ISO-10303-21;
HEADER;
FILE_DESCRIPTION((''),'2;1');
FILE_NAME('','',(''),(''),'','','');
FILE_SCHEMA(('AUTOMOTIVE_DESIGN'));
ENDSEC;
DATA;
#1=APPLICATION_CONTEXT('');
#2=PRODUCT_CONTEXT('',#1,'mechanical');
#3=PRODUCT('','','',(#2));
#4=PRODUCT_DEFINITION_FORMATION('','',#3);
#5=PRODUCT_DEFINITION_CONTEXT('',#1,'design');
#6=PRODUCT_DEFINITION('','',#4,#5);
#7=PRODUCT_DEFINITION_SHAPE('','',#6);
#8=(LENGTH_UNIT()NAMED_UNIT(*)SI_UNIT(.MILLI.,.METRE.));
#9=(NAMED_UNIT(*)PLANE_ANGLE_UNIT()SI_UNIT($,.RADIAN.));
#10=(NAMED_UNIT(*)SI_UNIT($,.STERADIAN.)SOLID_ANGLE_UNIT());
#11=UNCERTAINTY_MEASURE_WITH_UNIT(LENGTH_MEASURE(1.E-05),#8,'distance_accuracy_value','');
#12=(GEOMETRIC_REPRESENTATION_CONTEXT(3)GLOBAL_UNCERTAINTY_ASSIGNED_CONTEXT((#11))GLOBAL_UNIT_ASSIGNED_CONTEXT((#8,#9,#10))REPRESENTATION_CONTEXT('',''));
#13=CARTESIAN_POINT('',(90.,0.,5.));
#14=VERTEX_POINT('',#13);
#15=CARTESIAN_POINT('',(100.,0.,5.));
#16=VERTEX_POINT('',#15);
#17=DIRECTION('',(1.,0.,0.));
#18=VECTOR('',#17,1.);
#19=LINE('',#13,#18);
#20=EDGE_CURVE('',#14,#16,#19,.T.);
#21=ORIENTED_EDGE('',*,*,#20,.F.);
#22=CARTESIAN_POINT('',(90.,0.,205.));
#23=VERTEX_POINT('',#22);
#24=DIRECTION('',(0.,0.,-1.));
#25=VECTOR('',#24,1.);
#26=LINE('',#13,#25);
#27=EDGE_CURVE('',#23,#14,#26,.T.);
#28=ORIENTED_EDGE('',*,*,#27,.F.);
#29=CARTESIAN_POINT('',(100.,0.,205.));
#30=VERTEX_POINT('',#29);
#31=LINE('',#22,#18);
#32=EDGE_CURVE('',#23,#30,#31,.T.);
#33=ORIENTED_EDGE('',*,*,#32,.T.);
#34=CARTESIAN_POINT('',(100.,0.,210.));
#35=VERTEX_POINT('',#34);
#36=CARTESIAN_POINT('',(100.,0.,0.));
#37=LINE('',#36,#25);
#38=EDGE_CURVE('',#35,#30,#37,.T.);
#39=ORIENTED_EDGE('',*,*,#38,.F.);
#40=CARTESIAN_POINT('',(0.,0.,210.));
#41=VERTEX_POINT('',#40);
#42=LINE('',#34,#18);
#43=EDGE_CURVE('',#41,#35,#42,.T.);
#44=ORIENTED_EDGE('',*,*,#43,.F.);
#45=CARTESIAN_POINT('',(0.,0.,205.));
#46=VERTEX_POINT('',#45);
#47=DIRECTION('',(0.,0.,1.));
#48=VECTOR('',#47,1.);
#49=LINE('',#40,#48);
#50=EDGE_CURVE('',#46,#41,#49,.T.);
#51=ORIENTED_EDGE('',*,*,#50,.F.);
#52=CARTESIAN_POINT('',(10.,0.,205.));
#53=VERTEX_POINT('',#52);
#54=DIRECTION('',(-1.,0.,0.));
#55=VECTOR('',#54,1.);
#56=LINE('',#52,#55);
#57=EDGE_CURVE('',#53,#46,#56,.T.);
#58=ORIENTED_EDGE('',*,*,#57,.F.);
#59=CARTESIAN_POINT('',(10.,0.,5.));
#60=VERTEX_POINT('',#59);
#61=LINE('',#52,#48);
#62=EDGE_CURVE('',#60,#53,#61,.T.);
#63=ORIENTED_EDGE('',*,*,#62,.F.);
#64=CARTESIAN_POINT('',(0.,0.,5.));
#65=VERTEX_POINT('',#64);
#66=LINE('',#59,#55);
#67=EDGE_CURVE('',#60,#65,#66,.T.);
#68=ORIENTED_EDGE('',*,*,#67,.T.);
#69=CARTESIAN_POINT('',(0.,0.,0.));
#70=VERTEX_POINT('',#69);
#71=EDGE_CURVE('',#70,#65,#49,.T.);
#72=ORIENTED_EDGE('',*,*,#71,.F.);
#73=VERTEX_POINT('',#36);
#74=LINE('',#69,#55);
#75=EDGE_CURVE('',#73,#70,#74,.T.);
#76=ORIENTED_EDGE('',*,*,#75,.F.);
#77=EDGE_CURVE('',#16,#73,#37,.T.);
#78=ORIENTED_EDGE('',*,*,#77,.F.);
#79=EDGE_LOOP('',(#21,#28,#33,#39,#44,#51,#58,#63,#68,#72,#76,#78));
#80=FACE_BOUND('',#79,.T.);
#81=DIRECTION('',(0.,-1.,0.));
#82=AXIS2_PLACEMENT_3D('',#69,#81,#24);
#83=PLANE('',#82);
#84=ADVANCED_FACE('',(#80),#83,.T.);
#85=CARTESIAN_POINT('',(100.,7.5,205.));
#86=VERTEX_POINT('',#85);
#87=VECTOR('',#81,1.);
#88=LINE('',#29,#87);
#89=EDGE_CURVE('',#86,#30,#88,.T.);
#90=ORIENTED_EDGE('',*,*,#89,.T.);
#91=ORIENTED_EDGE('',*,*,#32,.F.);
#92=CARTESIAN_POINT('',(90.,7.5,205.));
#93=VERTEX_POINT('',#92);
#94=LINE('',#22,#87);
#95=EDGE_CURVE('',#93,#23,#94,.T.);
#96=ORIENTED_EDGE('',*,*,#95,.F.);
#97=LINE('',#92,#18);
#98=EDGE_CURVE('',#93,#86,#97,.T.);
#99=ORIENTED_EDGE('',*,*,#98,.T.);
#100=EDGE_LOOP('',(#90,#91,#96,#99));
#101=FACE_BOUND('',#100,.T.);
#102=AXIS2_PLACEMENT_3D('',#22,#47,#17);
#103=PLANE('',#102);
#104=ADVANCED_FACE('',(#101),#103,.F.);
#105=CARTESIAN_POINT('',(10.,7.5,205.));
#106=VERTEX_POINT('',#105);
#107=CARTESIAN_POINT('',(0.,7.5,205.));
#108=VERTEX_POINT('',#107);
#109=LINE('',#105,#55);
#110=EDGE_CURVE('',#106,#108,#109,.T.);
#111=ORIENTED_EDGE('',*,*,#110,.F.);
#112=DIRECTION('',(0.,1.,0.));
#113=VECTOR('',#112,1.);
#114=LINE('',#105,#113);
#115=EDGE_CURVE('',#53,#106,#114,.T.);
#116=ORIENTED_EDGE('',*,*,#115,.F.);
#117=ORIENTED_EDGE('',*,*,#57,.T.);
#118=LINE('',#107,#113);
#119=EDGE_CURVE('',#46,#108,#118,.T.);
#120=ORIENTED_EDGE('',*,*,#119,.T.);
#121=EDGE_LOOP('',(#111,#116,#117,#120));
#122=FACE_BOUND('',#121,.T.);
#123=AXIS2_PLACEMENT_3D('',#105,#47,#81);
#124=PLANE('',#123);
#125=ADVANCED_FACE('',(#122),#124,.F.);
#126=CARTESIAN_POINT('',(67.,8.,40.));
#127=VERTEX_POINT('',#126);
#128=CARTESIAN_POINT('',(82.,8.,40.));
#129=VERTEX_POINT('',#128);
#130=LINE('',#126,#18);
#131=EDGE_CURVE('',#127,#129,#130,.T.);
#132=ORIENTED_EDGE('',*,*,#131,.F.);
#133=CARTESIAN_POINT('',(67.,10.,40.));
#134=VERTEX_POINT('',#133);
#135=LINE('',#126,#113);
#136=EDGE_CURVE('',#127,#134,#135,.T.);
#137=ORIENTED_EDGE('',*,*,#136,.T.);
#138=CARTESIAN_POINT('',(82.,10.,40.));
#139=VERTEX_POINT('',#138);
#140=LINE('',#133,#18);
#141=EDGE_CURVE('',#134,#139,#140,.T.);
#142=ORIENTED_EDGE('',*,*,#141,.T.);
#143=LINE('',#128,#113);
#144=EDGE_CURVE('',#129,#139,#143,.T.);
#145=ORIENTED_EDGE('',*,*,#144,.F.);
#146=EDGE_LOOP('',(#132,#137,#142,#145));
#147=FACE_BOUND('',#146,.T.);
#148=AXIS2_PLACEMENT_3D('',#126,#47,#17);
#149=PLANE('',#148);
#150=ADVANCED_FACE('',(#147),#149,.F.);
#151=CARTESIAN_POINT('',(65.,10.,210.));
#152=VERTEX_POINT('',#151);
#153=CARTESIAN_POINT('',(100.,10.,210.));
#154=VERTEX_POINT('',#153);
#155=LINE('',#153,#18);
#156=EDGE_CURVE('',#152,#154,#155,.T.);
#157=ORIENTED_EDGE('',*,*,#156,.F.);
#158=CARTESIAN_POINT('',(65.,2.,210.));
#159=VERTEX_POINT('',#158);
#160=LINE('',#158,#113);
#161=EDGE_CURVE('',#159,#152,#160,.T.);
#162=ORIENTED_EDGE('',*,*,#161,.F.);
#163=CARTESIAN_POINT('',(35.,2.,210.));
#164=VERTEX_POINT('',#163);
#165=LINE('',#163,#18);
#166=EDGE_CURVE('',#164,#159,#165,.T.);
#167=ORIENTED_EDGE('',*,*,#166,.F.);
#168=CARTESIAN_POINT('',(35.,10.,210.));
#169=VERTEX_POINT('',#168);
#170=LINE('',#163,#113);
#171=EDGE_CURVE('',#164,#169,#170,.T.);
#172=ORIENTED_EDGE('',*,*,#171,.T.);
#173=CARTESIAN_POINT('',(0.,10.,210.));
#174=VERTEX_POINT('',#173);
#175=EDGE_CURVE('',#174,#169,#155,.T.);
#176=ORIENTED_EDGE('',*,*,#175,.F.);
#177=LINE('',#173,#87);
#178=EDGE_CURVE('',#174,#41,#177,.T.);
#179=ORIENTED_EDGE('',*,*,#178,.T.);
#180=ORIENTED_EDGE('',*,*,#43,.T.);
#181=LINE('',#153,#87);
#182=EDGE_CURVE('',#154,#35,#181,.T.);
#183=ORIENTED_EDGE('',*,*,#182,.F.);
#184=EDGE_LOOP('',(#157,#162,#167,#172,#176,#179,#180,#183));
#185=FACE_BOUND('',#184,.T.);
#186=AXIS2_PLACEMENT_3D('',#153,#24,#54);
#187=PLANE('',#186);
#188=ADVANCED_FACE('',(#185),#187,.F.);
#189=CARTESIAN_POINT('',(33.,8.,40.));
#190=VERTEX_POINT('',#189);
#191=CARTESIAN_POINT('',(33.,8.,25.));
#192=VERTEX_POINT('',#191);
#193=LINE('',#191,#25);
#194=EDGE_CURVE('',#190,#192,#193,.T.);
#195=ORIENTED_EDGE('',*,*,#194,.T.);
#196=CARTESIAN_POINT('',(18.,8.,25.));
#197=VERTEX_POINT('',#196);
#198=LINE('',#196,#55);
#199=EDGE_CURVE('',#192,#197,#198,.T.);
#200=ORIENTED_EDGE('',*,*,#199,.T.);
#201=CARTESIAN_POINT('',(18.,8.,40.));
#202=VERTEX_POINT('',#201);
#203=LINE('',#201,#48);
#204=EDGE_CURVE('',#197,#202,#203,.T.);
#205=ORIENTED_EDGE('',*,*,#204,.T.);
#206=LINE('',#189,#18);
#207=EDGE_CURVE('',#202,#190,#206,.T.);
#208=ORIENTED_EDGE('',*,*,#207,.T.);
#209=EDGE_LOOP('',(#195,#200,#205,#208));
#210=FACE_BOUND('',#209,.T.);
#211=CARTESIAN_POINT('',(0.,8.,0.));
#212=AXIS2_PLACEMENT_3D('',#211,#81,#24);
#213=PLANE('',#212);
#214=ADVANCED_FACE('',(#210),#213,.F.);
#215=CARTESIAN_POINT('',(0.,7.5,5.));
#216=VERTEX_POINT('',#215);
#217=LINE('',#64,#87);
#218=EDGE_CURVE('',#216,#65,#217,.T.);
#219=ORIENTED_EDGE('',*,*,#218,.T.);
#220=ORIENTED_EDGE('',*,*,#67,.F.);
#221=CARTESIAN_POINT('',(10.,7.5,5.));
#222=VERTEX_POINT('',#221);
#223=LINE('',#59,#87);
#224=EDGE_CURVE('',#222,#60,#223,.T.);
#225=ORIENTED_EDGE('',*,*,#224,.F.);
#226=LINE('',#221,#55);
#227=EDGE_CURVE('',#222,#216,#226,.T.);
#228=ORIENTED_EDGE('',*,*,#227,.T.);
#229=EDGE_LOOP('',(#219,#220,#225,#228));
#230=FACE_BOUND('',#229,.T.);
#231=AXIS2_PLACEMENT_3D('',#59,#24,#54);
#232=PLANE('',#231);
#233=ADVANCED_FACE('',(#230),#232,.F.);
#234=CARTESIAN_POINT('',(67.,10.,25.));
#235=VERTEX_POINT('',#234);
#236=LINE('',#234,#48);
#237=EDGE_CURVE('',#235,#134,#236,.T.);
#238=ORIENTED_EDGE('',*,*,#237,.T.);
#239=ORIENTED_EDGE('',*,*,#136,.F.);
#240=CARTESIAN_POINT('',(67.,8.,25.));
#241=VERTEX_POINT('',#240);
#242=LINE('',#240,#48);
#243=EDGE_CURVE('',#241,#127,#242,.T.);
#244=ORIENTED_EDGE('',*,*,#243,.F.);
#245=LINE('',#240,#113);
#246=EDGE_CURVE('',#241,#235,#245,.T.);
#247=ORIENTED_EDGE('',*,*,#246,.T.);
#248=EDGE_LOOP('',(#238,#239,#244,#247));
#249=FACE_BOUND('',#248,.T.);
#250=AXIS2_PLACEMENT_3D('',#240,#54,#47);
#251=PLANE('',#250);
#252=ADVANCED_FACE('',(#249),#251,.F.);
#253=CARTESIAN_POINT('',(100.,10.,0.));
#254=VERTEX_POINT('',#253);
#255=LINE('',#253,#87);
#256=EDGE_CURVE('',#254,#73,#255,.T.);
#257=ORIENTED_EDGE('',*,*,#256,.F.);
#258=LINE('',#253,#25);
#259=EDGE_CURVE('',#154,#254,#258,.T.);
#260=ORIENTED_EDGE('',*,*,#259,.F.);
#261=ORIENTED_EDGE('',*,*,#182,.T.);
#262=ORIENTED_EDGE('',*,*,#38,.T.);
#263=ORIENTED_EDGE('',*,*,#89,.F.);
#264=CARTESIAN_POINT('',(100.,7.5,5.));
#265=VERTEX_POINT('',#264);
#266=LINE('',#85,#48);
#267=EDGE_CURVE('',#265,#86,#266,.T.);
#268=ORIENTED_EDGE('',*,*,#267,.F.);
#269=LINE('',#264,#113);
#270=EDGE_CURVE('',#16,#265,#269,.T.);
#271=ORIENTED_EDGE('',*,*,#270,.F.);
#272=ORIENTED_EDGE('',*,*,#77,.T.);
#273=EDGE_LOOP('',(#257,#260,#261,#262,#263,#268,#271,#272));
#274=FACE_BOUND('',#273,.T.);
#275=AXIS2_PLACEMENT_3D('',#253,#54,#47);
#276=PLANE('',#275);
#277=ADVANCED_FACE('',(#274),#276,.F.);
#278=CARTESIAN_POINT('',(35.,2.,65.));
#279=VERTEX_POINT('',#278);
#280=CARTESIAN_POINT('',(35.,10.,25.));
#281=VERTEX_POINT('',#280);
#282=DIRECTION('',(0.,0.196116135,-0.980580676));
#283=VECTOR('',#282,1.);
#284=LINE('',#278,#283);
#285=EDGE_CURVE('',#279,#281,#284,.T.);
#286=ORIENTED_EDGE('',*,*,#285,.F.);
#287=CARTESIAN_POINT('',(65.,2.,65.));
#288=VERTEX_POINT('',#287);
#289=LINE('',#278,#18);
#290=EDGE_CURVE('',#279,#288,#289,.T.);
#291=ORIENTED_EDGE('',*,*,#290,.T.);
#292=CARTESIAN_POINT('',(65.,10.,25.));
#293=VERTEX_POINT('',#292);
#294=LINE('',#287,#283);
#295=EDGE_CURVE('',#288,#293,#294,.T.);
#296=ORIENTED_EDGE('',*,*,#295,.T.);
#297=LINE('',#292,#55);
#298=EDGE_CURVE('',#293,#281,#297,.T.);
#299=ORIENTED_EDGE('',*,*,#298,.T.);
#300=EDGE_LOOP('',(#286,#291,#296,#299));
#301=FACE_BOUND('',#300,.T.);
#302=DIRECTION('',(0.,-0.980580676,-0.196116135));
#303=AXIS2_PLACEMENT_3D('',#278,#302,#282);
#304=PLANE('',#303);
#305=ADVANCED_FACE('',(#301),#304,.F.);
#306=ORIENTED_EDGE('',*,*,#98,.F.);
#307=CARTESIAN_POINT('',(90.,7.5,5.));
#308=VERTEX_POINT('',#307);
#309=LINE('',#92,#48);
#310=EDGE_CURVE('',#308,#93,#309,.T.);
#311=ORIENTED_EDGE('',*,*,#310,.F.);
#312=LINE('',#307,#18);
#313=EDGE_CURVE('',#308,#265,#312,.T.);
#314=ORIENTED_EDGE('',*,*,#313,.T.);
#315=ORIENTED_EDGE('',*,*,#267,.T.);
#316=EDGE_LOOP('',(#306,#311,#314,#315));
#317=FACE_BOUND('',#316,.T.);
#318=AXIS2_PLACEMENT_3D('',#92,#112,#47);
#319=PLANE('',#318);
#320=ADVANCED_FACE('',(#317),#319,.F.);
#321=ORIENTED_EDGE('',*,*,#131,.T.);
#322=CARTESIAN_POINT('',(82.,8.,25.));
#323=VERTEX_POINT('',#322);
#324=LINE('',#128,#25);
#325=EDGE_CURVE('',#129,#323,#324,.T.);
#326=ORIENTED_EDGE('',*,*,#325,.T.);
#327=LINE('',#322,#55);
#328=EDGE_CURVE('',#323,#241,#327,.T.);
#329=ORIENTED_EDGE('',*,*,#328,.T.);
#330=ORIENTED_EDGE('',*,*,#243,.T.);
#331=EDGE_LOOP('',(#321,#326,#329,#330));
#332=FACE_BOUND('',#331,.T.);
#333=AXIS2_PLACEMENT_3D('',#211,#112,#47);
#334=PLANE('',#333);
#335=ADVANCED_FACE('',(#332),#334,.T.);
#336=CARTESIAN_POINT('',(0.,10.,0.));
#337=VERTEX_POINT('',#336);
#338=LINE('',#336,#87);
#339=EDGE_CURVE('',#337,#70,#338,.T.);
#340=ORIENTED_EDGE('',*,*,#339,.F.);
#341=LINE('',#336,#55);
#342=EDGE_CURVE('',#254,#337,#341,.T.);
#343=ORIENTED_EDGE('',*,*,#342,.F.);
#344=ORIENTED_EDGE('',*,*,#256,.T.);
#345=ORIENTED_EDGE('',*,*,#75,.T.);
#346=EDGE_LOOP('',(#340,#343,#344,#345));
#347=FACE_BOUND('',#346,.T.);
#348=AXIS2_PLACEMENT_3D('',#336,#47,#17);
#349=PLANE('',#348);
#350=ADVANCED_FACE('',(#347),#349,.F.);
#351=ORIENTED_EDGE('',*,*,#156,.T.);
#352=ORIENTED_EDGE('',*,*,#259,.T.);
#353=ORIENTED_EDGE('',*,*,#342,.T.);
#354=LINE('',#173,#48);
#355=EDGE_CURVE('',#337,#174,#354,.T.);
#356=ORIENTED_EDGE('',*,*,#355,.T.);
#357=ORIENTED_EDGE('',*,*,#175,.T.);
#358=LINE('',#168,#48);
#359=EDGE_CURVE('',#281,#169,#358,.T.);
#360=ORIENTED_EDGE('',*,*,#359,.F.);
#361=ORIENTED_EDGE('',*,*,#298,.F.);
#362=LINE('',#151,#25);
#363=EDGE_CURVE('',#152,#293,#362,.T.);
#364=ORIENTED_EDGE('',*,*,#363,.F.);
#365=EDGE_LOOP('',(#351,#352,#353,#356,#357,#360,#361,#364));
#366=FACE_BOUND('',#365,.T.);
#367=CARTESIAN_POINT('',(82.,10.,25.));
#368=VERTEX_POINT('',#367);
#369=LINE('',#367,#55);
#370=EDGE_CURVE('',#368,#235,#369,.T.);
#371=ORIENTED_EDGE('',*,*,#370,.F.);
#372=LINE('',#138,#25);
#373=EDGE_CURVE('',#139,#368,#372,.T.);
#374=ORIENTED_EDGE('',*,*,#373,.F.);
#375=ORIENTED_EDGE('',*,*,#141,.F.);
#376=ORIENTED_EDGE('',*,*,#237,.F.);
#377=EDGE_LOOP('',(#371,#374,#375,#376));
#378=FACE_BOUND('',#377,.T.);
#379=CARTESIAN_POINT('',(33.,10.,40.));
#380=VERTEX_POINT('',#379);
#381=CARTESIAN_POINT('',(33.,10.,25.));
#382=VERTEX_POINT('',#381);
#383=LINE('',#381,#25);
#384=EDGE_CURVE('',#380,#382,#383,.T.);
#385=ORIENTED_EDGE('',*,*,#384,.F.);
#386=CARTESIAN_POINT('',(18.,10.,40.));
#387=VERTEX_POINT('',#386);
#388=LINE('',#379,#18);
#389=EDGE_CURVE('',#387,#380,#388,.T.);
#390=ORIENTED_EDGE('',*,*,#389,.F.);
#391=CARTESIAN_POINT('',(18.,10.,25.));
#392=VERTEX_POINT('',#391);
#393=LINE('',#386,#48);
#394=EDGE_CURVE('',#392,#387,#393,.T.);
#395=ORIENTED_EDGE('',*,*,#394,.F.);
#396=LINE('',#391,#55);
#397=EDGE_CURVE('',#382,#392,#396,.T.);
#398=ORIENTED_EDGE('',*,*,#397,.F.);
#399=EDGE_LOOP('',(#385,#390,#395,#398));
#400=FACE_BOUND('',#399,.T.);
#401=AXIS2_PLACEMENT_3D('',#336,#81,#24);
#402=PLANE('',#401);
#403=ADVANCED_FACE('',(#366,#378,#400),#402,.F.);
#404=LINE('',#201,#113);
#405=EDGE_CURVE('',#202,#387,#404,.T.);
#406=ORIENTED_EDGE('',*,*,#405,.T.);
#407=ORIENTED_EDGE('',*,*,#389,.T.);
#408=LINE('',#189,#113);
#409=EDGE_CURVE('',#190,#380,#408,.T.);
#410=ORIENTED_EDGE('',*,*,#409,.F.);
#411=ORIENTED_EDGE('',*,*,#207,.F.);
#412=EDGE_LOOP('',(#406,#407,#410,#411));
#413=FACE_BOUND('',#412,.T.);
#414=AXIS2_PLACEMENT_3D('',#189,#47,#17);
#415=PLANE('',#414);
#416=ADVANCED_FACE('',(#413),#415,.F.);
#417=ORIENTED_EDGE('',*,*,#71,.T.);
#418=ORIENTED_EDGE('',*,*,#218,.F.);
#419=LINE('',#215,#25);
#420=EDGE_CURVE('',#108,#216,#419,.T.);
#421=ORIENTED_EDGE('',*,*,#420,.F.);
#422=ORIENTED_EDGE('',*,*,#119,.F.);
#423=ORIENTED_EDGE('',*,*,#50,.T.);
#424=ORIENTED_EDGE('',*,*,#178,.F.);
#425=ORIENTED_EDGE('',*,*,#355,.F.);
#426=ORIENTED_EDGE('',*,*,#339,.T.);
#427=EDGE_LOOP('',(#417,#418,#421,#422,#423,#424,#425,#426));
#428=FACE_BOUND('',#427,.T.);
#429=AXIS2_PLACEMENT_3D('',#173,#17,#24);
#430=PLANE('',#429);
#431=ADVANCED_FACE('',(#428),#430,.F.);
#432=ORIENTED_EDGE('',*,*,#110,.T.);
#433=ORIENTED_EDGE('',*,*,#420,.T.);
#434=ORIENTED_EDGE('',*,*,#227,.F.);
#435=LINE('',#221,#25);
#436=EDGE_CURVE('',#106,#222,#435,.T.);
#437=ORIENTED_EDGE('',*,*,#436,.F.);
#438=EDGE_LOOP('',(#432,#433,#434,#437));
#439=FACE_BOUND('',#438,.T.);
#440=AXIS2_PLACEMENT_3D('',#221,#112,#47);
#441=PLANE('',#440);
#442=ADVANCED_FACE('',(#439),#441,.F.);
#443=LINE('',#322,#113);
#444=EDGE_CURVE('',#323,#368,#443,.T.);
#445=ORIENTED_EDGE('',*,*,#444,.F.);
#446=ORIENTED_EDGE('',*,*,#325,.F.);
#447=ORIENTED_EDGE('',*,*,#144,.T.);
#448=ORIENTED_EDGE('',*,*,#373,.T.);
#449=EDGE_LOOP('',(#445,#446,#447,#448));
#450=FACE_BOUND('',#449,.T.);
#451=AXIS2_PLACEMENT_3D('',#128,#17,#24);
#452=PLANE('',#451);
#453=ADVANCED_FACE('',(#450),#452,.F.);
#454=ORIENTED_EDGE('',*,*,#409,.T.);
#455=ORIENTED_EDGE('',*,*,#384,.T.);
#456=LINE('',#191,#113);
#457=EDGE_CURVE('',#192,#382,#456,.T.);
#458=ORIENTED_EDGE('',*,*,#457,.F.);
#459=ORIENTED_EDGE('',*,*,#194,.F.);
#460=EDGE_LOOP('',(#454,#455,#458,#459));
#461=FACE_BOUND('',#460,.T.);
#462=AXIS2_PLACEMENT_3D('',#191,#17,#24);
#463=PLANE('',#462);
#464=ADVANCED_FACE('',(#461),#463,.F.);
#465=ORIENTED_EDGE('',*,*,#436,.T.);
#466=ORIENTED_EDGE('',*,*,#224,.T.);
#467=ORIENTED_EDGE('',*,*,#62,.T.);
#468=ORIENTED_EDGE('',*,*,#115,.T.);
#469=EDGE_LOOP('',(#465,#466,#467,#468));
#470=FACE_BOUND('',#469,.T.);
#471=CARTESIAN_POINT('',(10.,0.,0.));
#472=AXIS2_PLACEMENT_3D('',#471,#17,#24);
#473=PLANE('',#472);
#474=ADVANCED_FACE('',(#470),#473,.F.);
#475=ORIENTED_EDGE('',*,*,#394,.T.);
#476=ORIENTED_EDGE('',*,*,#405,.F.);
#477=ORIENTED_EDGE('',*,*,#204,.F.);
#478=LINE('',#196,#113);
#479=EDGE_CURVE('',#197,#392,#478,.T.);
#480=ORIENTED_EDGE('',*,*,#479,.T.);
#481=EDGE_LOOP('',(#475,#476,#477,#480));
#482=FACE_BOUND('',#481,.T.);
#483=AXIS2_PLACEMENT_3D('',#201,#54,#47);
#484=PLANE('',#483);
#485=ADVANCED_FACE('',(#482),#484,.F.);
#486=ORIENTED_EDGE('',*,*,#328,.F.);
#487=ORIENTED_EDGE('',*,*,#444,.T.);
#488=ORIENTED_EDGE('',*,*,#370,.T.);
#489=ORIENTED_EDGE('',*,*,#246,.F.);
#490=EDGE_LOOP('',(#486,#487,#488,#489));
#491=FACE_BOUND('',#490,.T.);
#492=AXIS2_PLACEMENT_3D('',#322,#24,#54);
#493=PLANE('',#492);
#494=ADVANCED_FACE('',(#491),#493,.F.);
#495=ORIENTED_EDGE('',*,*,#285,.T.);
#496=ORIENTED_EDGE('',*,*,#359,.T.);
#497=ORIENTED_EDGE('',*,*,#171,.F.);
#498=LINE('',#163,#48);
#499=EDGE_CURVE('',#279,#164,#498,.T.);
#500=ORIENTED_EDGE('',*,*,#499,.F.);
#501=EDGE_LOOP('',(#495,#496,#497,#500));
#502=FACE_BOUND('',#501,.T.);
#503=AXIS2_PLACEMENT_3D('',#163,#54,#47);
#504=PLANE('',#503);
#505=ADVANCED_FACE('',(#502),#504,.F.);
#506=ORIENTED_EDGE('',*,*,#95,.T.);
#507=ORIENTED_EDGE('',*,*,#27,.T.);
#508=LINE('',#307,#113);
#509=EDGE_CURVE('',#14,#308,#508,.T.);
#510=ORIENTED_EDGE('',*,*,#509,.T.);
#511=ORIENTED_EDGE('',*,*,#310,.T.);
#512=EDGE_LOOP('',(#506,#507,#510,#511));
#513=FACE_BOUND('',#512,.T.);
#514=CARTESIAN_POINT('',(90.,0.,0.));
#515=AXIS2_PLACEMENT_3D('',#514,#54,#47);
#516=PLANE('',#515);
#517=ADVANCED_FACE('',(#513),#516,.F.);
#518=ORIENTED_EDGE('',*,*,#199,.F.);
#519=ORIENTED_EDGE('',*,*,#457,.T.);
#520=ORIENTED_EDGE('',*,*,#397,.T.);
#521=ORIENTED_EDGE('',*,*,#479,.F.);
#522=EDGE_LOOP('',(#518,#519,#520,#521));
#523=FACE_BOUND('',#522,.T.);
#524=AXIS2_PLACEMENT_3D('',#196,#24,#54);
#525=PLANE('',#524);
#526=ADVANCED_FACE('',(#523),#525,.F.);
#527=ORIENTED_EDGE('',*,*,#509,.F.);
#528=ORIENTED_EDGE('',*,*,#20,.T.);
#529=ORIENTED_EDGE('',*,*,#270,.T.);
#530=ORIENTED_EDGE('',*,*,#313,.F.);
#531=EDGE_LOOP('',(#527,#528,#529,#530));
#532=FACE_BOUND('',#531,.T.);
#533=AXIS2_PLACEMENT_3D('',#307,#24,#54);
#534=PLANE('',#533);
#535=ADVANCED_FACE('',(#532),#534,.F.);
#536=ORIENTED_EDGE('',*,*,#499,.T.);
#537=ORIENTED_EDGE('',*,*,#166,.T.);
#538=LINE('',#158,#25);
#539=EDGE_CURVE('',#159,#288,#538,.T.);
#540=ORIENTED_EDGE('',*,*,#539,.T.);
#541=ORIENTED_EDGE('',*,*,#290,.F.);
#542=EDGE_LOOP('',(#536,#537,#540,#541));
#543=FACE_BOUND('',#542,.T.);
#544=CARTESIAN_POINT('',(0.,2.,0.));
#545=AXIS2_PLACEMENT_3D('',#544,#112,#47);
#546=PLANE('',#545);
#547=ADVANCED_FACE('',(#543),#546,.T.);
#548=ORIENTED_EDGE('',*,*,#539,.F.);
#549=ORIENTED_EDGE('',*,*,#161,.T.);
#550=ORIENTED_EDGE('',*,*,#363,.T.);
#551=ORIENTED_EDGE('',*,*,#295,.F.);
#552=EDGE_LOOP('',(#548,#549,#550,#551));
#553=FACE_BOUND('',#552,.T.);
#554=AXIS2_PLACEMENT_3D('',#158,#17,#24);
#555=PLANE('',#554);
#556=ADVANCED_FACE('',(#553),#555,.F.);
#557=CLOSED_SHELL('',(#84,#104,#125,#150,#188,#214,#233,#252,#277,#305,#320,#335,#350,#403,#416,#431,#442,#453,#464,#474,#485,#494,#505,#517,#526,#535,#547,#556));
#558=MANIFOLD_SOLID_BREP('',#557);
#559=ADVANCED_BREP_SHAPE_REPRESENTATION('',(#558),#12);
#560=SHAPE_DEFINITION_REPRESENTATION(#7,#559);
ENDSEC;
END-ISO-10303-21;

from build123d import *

# Parameters (mm, degrees)
SKETCH1_W           = 100
SKETCH1_H           = 210
BOSS_EXTRUDE1_DEPTH = 10
SKETCH2_W           = 30
SKETCH2_H           = 185
CUT_EXTRUDE2_DEPTH  = 8
BOSS_EXTRUDE3_DEPTH = 30
SKETCH4_W           = 200
SKETCH4_H           = 7.5
CUT_EXTRUDE3_DEPTH  = 10
SKETCH5_W           = 200
SKETCH5_H           = 7.5
CUT_EXTRUDE4_DEPTH  = 10
SKETCH6_W           = 15
SKETCH6_H           = 15
CUT_EXTRUDE5_DEPTH  = 2


with BuildPart() as part:
    # Sketch1 → Boss-Extrude1 (new body)
    with BuildSketch(Plane(origin=(0, 0, 0), x_dir=(1, 0, 0), z_dir=(0, 1, 0))):
        with Locations((50, -105)):
            Rectangle(SKETCH1_W, SKETCH1_H)
    extrude(amount=BOSS_EXTRUDE1_DEPTH)

    # Sketch2 → Cut-Extrude2 (cut)
    with BuildSketch(Plane(origin=(0, 10, 0), x_dir=(1, 0, 0), z_dir=(0, 1, 0))):
        with Locations((50, -117.5)):
            Rectangle(SKETCH2_W, SKETCH2_H)
    extrude(amount=-CUT_EXTRUDE2_DEPTH, mode=Mode.SUBTRACT)

    # Sketch3 → Boss-Extrude3 (add)
    with BuildSketch(Plane.ZY.offset(-65)):
        Polygon((25, 2), (65, 2), (25, 10), align=None)
    extrude(amount=BOSS_EXTRUDE3_DEPTH)

    # Sketch4 → Cut-Extrude3 (cut)
    with BuildSketch(Plane(origin=(100, 0, 0), x_dir=(0, 0, -1), z_dir=(1, 0, 0))):
        with Locations((-105, 3.75)):
            Rectangle(SKETCH4_W, SKETCH4_H)
    extrude(amount=-CUT_EXTRUDE3_DEPTH, mode=Mode.SUBTRACT)

    # Sketch5 → Cut-Extrude4 (cut)
    with BuildSketch(Plane.ZY):
        with Locations((105, 3.75)):
            Rectangle(SKETCH5_W, SKETCH5_H)
    extrude(amount=-CUT_EXTRUDE4_DEPTH, mode=Mode.SUBTRACT)

    # Sketch6 → Cut-Extrude5 (cut)
    with BuildSketch(Plane(origin=(0, 10, 0), x_dir=(1, 0, 0), z_dir=(0, 1, 0))):
        with Locations((25.5, -32.5)):
            Rectangle(SKETCH6_W, SKETCH6_H)
        with Locations((74.5, -32.5)):
            Rectangle(SKETCH6_W, SKETCH6_H)
    extrude(amount=-CUT_EXTRUDE5_DEPTH, mode=Mode.SUBTRACT)


solid = part.part
